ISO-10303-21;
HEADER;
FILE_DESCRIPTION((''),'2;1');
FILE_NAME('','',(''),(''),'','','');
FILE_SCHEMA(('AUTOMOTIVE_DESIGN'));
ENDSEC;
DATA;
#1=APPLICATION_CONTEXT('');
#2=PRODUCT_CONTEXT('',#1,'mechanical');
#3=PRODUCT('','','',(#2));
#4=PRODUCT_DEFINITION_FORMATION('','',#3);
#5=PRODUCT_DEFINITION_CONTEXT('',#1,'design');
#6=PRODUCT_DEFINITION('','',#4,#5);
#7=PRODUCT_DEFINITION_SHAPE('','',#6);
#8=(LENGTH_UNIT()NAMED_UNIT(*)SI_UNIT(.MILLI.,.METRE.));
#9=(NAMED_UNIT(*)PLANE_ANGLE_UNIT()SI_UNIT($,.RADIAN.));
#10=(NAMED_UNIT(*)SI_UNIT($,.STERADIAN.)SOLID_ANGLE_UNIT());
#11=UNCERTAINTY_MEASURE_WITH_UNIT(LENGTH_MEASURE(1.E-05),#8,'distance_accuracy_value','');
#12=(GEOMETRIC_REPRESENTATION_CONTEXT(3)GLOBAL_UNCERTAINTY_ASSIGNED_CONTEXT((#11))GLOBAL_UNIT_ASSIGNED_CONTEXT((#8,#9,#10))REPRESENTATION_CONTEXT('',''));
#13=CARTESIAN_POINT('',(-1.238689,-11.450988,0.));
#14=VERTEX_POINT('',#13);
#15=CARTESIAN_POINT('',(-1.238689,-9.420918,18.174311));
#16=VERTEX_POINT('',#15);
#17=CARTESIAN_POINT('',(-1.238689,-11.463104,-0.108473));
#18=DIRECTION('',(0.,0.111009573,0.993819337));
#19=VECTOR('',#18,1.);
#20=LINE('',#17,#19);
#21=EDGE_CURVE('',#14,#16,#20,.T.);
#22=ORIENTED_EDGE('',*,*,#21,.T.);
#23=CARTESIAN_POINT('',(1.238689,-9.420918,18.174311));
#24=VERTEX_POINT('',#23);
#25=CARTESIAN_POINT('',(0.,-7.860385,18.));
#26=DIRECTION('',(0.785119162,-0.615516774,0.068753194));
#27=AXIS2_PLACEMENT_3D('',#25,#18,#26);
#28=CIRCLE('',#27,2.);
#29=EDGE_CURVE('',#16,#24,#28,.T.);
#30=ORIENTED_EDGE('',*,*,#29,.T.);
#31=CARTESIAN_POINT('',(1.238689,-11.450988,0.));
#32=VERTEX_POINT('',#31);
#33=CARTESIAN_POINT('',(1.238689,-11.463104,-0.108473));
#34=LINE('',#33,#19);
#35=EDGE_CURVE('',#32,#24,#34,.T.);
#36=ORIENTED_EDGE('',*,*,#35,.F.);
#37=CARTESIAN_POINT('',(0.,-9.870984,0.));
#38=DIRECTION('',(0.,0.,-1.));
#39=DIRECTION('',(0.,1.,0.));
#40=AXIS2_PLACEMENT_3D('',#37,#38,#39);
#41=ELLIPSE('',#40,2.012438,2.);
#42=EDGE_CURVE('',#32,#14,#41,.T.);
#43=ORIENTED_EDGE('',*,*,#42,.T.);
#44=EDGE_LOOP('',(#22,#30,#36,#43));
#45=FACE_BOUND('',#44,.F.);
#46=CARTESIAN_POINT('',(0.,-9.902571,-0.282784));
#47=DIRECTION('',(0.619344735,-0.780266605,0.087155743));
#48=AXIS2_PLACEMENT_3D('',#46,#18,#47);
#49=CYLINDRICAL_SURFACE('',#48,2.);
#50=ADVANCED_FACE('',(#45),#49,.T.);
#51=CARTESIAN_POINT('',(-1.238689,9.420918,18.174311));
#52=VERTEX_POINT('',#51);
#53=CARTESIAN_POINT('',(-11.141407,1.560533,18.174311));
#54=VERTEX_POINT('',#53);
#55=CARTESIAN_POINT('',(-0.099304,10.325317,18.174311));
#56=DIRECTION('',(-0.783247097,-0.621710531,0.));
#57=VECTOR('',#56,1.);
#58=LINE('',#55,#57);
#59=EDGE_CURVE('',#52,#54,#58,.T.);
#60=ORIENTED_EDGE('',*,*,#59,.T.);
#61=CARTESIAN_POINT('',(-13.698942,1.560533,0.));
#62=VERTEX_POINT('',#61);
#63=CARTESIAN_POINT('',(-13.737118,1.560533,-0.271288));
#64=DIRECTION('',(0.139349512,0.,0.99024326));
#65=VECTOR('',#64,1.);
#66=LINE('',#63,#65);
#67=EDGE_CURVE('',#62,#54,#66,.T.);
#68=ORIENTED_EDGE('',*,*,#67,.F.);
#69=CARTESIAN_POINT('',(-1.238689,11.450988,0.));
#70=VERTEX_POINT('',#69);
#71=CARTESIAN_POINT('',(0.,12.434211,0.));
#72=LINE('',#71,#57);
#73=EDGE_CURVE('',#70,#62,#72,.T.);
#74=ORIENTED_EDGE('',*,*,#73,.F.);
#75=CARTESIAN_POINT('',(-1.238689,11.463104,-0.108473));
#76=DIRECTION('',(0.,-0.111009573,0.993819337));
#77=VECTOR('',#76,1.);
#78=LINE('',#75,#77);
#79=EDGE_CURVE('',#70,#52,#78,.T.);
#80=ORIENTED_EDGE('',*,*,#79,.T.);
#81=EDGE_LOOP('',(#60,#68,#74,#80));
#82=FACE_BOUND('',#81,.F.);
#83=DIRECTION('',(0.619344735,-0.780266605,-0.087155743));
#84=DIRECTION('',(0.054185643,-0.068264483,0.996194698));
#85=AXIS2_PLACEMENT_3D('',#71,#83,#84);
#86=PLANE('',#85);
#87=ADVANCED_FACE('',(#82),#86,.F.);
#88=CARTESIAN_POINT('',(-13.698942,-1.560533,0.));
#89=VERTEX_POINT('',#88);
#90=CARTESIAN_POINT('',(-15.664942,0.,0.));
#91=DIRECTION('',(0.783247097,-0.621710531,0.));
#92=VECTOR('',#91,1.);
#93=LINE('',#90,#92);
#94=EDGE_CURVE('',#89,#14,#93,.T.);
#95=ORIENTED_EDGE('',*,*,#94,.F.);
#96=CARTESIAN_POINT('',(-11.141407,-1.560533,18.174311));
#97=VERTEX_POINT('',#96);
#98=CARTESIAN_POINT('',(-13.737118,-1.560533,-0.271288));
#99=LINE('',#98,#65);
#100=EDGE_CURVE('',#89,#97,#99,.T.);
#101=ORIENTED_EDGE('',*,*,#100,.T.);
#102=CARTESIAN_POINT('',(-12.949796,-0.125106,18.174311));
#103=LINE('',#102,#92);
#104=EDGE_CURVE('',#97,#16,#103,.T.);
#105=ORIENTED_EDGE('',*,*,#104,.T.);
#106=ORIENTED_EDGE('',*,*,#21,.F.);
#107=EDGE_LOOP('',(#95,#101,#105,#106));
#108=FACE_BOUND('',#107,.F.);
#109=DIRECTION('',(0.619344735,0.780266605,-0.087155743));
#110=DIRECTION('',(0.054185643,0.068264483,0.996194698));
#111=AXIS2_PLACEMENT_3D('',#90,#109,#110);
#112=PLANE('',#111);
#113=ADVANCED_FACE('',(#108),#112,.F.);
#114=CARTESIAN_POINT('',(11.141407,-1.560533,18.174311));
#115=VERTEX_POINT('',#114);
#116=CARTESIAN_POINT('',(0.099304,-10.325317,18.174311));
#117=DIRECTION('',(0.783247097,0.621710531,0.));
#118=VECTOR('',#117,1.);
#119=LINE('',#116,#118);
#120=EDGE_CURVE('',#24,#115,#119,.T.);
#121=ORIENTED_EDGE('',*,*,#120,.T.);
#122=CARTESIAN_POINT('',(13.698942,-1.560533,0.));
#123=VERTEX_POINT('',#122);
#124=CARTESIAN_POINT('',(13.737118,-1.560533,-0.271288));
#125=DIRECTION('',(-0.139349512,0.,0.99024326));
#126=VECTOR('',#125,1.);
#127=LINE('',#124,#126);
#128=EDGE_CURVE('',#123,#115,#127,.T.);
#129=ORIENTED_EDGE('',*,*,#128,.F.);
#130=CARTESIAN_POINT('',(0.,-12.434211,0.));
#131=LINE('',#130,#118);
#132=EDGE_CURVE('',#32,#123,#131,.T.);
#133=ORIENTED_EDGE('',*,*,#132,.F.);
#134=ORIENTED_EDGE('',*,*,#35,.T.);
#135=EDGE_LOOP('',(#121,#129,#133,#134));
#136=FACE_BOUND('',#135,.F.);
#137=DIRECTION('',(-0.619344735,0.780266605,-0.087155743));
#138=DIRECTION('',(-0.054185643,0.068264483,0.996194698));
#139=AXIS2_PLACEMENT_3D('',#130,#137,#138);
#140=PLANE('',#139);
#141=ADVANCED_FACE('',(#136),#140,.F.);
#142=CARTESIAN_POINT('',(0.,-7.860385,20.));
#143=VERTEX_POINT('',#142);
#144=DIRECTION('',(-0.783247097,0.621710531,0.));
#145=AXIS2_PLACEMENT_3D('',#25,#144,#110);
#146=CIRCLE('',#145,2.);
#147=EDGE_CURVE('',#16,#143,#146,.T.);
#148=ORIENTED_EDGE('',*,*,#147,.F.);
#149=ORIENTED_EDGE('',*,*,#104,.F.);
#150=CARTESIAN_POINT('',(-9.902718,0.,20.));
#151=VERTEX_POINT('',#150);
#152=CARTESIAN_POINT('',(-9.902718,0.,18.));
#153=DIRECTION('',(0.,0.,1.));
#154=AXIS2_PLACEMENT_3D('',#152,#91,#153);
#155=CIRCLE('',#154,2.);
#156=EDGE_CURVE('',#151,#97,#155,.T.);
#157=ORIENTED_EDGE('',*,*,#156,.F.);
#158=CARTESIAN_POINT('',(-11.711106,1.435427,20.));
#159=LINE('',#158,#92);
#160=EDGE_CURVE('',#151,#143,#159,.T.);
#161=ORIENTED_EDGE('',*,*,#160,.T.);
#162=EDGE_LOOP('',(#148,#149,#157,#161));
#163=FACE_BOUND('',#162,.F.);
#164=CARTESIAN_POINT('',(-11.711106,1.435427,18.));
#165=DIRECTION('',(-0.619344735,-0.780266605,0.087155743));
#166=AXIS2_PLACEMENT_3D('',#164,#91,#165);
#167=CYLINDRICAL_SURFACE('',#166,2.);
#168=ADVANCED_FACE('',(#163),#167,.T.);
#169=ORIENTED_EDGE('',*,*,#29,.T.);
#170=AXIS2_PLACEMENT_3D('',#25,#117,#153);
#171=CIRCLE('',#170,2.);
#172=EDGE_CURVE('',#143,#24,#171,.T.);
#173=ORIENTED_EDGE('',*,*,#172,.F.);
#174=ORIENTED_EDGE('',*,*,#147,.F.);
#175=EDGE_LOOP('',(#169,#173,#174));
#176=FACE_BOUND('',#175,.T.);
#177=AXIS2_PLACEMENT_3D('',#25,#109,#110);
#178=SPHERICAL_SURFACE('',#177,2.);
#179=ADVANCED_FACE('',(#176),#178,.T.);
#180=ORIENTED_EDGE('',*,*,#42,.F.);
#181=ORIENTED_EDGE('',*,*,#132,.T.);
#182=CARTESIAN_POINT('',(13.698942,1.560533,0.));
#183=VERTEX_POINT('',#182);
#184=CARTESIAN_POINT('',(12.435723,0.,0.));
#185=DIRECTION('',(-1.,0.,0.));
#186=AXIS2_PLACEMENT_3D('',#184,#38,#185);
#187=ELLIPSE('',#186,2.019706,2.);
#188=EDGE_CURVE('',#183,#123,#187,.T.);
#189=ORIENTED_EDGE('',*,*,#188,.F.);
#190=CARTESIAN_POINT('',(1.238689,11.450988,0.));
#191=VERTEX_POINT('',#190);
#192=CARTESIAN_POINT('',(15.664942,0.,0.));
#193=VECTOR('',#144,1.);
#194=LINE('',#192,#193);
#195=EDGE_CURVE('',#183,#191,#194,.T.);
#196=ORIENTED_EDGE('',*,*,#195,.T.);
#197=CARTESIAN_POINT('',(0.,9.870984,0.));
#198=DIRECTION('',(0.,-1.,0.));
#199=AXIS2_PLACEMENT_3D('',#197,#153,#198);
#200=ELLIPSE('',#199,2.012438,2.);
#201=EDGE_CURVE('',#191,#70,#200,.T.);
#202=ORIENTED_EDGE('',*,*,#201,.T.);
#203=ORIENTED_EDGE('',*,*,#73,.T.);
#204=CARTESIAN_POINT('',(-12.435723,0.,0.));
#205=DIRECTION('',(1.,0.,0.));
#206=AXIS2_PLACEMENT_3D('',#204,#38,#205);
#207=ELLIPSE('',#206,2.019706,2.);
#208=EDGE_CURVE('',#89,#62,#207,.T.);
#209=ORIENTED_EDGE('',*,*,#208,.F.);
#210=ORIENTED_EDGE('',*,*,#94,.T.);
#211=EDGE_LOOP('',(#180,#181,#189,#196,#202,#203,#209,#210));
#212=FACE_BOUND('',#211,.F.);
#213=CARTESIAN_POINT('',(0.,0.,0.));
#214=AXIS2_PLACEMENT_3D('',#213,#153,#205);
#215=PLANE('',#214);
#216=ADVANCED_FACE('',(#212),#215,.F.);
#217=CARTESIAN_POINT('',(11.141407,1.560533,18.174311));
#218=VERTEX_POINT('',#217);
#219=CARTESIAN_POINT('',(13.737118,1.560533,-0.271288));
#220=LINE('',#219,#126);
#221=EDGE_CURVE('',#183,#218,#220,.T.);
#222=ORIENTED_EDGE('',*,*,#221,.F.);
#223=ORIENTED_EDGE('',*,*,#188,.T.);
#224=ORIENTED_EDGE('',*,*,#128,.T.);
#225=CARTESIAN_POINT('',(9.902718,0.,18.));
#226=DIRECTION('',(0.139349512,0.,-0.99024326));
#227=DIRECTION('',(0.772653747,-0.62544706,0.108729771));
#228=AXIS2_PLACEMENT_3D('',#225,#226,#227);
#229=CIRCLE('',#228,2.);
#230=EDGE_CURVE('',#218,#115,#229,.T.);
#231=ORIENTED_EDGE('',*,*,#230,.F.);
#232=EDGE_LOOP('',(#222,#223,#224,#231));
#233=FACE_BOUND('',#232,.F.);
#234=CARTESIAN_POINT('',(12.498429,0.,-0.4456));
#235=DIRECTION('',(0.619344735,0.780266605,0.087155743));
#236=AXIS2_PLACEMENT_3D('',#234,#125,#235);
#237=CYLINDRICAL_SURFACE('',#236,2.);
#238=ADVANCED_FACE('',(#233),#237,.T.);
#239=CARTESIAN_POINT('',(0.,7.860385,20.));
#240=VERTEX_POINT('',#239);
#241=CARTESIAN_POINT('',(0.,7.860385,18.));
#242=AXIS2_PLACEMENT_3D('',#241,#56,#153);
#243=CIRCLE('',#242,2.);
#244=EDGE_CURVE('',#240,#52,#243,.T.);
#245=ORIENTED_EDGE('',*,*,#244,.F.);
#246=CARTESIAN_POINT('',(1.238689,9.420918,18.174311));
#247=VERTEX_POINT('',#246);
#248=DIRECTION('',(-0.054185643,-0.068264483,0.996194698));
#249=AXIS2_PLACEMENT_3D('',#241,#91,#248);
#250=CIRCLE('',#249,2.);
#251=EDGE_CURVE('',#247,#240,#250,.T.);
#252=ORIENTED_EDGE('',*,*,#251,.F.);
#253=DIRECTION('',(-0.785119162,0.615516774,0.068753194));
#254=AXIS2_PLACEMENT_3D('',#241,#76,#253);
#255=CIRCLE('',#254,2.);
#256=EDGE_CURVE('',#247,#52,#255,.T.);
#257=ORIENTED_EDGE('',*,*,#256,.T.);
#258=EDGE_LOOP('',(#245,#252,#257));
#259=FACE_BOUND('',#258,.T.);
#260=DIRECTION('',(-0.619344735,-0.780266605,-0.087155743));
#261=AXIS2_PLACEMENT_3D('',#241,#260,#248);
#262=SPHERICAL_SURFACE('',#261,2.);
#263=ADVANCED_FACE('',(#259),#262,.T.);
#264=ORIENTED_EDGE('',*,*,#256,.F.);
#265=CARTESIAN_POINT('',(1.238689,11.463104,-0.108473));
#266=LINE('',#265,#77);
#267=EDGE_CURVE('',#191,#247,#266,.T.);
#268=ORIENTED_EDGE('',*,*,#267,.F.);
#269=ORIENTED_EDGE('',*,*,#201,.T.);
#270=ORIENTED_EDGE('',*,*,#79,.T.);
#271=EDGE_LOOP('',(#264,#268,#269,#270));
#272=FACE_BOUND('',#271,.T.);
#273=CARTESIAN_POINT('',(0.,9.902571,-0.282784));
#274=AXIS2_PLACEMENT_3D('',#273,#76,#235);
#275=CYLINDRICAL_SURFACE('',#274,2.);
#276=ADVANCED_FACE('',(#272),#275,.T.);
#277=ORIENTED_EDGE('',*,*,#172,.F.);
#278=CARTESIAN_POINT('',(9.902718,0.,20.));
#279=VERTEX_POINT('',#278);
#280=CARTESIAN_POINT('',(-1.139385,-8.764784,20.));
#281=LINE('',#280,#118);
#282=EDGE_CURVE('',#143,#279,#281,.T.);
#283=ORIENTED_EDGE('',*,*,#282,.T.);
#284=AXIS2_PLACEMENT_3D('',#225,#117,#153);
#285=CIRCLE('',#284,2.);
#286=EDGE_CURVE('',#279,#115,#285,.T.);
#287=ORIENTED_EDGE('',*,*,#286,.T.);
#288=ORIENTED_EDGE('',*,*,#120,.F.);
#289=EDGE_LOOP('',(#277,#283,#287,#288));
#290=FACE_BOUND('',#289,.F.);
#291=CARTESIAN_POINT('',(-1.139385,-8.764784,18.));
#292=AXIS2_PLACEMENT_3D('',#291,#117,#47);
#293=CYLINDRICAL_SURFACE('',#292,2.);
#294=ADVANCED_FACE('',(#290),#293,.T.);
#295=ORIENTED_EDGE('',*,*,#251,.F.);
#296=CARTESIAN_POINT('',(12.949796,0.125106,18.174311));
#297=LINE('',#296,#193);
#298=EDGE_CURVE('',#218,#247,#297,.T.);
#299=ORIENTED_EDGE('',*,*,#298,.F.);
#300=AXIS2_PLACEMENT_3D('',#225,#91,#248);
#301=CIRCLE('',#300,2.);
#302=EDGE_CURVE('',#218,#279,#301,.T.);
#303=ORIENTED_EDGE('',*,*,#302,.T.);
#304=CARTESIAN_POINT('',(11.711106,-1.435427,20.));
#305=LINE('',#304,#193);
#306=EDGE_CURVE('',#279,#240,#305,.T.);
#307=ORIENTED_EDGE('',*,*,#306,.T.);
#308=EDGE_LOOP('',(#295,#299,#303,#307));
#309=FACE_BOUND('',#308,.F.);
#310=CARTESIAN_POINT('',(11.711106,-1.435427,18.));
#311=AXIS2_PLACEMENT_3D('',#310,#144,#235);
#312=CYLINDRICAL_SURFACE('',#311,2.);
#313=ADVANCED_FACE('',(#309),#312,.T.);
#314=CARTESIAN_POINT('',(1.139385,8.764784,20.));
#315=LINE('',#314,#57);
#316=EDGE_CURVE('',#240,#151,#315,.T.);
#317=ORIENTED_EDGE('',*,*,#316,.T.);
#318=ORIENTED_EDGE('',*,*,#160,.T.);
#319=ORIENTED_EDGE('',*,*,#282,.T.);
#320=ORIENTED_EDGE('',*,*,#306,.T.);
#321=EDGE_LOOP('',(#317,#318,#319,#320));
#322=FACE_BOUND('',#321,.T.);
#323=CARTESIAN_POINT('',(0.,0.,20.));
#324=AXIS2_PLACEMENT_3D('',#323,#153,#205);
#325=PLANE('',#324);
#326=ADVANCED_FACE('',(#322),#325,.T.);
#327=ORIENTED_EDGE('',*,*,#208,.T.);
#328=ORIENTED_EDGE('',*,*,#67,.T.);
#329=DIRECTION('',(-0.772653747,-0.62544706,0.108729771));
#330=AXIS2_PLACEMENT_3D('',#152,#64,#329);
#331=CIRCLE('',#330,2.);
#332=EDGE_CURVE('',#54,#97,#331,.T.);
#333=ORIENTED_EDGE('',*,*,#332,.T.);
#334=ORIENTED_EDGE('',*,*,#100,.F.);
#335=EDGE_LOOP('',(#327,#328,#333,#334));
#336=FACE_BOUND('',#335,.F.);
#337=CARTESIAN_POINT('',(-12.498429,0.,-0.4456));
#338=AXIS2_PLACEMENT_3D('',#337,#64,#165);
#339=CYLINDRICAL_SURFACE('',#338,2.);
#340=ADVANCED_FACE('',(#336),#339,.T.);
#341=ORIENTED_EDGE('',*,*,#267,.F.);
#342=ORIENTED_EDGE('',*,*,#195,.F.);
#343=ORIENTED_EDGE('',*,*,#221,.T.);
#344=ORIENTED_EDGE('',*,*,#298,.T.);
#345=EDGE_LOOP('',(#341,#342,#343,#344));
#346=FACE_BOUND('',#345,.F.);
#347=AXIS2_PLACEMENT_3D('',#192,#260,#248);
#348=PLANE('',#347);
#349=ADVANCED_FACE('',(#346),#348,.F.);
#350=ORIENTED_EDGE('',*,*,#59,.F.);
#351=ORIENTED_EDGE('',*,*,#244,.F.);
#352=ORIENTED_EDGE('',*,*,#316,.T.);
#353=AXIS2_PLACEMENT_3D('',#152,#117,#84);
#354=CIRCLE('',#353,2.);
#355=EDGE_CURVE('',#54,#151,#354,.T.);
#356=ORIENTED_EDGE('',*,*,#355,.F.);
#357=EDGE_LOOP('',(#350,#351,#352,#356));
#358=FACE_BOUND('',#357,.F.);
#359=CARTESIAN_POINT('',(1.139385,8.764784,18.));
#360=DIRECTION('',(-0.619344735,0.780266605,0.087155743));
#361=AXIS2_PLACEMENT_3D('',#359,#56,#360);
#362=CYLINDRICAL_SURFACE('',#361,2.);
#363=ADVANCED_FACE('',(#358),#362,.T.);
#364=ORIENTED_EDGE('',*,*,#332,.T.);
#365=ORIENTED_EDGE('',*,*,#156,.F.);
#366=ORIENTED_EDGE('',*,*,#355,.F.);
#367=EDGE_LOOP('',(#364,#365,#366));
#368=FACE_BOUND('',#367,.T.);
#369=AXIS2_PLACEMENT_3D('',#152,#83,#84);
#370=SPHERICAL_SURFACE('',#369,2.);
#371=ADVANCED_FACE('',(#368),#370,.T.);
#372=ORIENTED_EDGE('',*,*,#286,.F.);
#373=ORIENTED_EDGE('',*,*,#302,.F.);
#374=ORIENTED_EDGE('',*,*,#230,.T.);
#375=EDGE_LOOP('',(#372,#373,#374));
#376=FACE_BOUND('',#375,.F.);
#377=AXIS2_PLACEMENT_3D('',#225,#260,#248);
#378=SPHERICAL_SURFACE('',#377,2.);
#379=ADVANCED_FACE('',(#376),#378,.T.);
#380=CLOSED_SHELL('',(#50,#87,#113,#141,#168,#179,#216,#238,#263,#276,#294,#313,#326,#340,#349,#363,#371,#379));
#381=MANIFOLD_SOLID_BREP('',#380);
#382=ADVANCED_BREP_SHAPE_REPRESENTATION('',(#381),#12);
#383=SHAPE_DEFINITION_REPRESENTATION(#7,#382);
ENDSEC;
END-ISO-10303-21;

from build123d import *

# Parameters (mm, degrees)
F1_DEPTH = 20
F1_TAPER = 5
F2_R     = 2


with BuildPart() as f1:
    # F0 (on Top) → F1 (new body)
    with BuildSketch(Plane.XY):
        Polygon((15.6649419422, 0), (0, 12.4342106283), (-15.6649419422, 0), (0, -12.4342106283), align=None)
    extrude(amount=F1_DEPTH, taper=F1_TAPER)

    # F2
    f2_edges = [f1.edges().sort_by_distance(p)[0] for p in [
        (6.425246, -5.100106, 20),
        (-6.425246, -5.100106, 20),
        (-6.425246, 5.100106, 20),
        (6.425246, 5.100106, 20),
        (-14.257717, 0, 10),
        (0, 11.317211, 10.000005),
        (14.257717, 0, 10),
        (0, -11.317211, 10.000005),
    ]]
    fillet(f2_edges, radius=F2_R)


solid = f1.part
